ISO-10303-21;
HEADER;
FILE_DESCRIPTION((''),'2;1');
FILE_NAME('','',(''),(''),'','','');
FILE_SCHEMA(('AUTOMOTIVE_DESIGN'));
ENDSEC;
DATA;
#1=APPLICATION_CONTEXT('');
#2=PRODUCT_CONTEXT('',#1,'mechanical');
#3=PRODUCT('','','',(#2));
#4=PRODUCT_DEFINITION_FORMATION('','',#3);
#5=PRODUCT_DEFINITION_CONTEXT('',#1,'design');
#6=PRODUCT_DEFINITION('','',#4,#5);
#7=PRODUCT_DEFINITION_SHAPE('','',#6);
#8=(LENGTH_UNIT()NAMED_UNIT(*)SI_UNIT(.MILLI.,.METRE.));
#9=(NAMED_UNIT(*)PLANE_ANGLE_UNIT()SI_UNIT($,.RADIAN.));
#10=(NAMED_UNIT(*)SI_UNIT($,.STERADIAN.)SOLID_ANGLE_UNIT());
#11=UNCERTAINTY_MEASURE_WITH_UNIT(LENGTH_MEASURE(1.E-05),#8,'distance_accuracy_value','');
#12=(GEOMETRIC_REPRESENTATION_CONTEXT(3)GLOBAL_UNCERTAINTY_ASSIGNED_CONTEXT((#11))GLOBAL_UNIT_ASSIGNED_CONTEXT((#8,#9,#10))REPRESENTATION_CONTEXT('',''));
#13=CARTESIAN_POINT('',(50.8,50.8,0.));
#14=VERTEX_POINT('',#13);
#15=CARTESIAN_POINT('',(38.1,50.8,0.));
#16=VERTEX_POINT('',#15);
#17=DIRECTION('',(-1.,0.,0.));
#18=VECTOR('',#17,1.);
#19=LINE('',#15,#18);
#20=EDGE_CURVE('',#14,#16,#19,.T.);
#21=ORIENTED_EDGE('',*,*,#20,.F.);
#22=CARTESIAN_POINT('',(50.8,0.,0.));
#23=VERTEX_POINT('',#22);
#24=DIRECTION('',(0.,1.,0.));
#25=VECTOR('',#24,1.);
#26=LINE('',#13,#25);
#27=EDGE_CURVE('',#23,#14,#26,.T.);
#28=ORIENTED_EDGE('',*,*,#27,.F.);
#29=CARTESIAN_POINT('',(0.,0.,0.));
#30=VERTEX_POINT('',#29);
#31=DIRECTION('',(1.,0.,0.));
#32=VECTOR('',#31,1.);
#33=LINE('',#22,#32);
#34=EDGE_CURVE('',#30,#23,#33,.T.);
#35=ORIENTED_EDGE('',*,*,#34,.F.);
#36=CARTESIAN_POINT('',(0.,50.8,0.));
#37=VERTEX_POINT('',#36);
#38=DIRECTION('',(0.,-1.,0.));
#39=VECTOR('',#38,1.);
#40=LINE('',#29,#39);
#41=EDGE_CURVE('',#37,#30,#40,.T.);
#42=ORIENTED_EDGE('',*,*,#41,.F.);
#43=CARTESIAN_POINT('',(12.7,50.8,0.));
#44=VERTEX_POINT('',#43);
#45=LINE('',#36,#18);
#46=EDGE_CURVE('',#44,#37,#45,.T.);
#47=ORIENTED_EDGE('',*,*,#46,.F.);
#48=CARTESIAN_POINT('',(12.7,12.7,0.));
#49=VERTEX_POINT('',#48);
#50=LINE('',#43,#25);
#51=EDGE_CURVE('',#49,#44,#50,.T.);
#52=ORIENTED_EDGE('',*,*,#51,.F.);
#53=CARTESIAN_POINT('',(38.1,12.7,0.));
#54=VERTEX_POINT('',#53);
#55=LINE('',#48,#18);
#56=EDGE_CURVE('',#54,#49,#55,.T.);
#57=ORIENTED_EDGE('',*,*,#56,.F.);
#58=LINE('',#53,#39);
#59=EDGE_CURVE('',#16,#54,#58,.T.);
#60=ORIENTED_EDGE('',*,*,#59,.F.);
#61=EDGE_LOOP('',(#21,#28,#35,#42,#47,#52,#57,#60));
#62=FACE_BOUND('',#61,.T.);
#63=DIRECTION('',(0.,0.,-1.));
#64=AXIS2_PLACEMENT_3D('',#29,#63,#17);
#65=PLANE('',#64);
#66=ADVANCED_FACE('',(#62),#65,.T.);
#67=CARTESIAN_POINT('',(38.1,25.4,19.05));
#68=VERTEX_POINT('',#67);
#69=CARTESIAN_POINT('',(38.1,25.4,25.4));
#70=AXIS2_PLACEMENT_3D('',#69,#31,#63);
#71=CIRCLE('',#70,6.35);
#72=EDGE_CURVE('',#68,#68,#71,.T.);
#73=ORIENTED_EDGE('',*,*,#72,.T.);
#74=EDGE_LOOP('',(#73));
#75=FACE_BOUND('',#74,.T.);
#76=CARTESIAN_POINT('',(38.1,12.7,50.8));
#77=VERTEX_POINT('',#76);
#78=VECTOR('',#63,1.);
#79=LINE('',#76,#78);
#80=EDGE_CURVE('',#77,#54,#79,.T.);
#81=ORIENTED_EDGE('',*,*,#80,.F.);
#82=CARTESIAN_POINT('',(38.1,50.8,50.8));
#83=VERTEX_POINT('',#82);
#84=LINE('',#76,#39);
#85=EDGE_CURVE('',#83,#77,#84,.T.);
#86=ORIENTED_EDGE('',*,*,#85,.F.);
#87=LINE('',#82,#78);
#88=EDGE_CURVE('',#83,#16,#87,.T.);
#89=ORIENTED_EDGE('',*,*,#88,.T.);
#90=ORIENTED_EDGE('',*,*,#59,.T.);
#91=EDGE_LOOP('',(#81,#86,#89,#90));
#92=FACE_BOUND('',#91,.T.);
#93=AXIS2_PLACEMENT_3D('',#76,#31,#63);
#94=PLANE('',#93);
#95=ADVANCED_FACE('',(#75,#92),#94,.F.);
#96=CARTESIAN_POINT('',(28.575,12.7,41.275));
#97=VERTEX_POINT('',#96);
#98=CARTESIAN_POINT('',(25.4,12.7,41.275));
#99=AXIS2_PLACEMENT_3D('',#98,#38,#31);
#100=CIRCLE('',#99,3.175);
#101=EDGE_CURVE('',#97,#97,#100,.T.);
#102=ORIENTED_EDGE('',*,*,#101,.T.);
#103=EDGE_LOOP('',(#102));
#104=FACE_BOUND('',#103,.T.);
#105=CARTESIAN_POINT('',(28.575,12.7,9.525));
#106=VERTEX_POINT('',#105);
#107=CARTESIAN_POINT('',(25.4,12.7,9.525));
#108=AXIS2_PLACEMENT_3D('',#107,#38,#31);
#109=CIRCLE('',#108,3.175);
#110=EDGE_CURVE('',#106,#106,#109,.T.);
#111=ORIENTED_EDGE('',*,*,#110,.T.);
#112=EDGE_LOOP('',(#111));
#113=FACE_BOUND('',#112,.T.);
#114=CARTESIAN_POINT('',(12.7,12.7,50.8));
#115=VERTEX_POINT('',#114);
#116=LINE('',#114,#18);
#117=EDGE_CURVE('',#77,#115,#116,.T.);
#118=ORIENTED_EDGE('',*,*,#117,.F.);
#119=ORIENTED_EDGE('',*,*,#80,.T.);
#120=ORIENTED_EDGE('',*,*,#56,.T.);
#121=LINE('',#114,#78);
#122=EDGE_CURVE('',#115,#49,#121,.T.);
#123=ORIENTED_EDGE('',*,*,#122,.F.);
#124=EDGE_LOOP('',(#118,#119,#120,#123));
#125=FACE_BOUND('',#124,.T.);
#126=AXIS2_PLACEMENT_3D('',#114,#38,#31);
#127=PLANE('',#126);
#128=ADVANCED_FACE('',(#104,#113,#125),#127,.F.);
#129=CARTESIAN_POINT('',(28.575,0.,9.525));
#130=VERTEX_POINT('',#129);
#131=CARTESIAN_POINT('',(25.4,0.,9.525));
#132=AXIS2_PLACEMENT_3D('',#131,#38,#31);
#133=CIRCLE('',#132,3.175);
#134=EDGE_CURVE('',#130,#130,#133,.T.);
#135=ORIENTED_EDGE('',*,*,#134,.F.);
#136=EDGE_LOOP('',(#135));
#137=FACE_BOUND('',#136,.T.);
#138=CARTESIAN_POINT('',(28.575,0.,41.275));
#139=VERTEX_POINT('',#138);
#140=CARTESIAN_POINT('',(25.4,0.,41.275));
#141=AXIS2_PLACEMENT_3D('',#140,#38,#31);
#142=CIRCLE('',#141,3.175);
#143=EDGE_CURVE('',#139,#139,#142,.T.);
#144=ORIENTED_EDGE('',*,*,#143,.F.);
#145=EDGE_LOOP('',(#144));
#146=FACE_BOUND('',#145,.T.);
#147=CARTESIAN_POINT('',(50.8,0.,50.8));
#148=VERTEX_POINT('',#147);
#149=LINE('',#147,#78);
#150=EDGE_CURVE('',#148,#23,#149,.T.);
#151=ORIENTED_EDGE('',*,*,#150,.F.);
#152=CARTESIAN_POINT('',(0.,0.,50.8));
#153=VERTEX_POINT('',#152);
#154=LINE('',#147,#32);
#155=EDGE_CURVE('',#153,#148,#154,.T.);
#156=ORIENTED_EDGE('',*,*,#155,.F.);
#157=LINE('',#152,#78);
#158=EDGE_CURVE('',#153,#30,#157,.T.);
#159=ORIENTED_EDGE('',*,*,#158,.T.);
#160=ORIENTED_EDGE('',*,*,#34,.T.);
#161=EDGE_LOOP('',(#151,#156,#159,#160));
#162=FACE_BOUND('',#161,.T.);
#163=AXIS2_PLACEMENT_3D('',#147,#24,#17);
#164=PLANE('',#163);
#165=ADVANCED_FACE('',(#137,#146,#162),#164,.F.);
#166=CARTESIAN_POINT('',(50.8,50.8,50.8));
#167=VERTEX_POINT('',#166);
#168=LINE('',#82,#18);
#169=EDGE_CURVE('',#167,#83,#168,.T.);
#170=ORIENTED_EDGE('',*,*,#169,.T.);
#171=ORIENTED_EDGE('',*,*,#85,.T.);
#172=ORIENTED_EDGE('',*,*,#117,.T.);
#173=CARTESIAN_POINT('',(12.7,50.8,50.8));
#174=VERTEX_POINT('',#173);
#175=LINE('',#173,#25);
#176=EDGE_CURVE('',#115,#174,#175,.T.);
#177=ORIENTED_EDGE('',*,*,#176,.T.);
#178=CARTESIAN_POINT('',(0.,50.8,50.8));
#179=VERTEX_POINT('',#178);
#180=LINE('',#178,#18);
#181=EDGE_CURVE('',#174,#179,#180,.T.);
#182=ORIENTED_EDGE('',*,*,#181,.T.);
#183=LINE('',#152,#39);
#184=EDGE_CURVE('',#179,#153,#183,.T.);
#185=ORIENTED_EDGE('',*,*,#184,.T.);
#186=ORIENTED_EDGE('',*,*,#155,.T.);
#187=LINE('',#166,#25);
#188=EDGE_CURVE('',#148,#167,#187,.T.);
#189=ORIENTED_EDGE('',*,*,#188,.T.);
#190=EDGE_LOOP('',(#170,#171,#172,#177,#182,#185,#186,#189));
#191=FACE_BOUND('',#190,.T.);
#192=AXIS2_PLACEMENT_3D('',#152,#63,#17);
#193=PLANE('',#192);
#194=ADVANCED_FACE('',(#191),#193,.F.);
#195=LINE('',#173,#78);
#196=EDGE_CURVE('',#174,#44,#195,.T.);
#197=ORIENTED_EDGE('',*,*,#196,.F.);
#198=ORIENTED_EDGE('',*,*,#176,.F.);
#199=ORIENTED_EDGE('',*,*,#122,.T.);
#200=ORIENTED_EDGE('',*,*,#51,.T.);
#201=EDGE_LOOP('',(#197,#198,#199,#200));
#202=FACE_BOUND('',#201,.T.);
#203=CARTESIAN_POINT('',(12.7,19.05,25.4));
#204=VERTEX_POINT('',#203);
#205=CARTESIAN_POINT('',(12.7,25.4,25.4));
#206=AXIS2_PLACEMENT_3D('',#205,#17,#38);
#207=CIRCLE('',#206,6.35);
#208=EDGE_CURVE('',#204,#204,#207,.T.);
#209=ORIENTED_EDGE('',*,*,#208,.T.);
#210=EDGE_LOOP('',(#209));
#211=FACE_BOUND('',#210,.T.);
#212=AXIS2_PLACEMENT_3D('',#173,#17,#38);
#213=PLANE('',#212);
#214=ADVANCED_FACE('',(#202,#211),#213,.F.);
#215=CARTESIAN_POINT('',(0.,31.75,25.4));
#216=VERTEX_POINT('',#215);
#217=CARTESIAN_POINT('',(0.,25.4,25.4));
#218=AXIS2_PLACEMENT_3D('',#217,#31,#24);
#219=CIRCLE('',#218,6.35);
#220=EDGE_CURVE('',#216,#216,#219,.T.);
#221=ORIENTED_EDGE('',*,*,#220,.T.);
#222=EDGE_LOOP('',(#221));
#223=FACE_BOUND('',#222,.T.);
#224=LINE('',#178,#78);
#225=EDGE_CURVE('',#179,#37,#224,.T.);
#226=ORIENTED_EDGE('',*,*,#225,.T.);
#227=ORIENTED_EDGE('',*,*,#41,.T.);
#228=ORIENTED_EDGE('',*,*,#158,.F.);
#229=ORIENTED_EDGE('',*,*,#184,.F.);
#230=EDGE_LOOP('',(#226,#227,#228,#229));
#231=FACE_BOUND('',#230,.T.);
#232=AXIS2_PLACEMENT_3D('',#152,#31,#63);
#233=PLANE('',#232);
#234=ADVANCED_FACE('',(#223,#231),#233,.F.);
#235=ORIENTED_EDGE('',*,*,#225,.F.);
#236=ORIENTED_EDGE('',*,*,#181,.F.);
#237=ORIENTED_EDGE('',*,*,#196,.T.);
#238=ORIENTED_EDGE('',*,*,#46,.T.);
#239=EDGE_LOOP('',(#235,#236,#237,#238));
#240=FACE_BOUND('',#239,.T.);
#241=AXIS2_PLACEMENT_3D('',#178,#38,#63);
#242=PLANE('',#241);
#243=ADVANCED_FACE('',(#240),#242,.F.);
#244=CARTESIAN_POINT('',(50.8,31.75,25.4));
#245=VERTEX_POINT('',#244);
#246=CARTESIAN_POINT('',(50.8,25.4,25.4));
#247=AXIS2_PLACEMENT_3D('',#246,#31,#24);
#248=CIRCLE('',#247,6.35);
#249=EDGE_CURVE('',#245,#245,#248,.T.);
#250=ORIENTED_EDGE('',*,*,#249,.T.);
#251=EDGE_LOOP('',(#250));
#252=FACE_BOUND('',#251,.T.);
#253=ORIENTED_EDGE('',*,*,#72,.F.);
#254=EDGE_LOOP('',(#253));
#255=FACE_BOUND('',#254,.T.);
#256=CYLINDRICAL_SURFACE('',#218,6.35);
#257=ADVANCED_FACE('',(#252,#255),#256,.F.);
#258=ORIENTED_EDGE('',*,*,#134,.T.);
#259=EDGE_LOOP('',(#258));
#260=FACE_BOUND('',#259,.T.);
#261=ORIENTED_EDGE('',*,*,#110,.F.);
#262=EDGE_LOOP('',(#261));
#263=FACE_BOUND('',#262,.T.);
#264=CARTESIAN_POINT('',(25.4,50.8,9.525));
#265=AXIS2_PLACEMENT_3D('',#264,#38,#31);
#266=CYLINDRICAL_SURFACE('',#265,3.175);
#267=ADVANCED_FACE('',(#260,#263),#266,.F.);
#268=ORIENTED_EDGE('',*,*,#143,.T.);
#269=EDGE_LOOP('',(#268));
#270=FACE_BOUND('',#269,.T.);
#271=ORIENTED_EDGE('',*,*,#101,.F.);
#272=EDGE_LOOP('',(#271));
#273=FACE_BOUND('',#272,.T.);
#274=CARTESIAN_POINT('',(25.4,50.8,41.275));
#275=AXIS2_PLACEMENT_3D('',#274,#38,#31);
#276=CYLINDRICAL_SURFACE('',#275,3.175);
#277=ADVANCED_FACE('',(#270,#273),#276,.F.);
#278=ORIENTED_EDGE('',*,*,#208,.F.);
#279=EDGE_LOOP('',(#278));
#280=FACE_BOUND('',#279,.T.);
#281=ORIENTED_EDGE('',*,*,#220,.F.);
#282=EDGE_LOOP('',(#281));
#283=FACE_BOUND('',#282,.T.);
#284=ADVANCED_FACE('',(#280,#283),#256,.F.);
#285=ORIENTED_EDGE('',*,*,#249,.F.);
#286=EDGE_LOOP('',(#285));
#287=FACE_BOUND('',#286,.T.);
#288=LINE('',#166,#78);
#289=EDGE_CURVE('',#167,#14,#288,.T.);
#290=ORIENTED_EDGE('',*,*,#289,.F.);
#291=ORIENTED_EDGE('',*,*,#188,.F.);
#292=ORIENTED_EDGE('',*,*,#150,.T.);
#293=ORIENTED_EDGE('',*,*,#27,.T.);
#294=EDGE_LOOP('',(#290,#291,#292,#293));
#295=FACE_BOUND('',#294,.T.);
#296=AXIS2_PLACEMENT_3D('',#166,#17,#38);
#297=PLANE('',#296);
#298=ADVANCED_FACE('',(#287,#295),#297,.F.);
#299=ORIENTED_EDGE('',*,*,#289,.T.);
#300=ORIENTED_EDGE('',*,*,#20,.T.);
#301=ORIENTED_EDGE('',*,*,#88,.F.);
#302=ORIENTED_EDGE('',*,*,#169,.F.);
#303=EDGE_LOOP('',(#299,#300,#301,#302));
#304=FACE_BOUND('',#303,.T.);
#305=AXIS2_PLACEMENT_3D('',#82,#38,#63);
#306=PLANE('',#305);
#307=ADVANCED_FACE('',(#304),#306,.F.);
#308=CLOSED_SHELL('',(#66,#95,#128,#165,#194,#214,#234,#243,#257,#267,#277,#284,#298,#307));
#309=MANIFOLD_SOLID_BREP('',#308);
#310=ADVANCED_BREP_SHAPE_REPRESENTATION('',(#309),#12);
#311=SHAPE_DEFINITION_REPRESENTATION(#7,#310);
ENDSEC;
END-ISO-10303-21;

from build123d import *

# Parameters (mm, degrees)
EXTRUDE1_DEPTH     = 50.8
SKETCH2_R          = 3.175
CUT_EXTRUDE1_DEPTH = 88.988181024
SKETCH3_R          = 6.35
CUT_EXTRUDE2_DEPTH = 88.988181024


with BuildPart() as part:
    # Sketch1 → Extrude1 (new body)
    with BuildSketch(Plane.XY):
        Polygon((0, 0), (0, 50.8), (12.7, 50.8), (12.7, 12.7), (38.1, 12.7), (38.1, 50.8), (50.8, 50.8), (50.8, 0), align=None)
    extrude(amount=EXTRUDE1_DEPTH)

    # Sketch2 → Cut-Extrude1 (cut, through all)
    with BuildSketch(Plane.XZ):
        with Locations((25.4, 41.275)):
            Circle(SKETCH2_R)
        with Locations((25.4, 9.525)):
            Circle(SKETCH2_R)
    extrude(amount=-CUT_EXTRUDE1_DEPTH, mode=Mode.SUBTRACT)

    # Sketch3 → Cut-Extrude2 (cut, through all)
    with BuildSketch(Plane(origin=(50.8, 0, 0), x_dir=(0, 0, -1), z_dir=(1, 0, 0))):
        with Locations(Location((-25.4, 25.4, 0), (0, 0, 90))):
            Circle(SKETCH3_R)
    extrude(amount=-CUT_EXTRUDE2_DEPTH, mode=Mode.SUBTRACT)


solid = part.part
